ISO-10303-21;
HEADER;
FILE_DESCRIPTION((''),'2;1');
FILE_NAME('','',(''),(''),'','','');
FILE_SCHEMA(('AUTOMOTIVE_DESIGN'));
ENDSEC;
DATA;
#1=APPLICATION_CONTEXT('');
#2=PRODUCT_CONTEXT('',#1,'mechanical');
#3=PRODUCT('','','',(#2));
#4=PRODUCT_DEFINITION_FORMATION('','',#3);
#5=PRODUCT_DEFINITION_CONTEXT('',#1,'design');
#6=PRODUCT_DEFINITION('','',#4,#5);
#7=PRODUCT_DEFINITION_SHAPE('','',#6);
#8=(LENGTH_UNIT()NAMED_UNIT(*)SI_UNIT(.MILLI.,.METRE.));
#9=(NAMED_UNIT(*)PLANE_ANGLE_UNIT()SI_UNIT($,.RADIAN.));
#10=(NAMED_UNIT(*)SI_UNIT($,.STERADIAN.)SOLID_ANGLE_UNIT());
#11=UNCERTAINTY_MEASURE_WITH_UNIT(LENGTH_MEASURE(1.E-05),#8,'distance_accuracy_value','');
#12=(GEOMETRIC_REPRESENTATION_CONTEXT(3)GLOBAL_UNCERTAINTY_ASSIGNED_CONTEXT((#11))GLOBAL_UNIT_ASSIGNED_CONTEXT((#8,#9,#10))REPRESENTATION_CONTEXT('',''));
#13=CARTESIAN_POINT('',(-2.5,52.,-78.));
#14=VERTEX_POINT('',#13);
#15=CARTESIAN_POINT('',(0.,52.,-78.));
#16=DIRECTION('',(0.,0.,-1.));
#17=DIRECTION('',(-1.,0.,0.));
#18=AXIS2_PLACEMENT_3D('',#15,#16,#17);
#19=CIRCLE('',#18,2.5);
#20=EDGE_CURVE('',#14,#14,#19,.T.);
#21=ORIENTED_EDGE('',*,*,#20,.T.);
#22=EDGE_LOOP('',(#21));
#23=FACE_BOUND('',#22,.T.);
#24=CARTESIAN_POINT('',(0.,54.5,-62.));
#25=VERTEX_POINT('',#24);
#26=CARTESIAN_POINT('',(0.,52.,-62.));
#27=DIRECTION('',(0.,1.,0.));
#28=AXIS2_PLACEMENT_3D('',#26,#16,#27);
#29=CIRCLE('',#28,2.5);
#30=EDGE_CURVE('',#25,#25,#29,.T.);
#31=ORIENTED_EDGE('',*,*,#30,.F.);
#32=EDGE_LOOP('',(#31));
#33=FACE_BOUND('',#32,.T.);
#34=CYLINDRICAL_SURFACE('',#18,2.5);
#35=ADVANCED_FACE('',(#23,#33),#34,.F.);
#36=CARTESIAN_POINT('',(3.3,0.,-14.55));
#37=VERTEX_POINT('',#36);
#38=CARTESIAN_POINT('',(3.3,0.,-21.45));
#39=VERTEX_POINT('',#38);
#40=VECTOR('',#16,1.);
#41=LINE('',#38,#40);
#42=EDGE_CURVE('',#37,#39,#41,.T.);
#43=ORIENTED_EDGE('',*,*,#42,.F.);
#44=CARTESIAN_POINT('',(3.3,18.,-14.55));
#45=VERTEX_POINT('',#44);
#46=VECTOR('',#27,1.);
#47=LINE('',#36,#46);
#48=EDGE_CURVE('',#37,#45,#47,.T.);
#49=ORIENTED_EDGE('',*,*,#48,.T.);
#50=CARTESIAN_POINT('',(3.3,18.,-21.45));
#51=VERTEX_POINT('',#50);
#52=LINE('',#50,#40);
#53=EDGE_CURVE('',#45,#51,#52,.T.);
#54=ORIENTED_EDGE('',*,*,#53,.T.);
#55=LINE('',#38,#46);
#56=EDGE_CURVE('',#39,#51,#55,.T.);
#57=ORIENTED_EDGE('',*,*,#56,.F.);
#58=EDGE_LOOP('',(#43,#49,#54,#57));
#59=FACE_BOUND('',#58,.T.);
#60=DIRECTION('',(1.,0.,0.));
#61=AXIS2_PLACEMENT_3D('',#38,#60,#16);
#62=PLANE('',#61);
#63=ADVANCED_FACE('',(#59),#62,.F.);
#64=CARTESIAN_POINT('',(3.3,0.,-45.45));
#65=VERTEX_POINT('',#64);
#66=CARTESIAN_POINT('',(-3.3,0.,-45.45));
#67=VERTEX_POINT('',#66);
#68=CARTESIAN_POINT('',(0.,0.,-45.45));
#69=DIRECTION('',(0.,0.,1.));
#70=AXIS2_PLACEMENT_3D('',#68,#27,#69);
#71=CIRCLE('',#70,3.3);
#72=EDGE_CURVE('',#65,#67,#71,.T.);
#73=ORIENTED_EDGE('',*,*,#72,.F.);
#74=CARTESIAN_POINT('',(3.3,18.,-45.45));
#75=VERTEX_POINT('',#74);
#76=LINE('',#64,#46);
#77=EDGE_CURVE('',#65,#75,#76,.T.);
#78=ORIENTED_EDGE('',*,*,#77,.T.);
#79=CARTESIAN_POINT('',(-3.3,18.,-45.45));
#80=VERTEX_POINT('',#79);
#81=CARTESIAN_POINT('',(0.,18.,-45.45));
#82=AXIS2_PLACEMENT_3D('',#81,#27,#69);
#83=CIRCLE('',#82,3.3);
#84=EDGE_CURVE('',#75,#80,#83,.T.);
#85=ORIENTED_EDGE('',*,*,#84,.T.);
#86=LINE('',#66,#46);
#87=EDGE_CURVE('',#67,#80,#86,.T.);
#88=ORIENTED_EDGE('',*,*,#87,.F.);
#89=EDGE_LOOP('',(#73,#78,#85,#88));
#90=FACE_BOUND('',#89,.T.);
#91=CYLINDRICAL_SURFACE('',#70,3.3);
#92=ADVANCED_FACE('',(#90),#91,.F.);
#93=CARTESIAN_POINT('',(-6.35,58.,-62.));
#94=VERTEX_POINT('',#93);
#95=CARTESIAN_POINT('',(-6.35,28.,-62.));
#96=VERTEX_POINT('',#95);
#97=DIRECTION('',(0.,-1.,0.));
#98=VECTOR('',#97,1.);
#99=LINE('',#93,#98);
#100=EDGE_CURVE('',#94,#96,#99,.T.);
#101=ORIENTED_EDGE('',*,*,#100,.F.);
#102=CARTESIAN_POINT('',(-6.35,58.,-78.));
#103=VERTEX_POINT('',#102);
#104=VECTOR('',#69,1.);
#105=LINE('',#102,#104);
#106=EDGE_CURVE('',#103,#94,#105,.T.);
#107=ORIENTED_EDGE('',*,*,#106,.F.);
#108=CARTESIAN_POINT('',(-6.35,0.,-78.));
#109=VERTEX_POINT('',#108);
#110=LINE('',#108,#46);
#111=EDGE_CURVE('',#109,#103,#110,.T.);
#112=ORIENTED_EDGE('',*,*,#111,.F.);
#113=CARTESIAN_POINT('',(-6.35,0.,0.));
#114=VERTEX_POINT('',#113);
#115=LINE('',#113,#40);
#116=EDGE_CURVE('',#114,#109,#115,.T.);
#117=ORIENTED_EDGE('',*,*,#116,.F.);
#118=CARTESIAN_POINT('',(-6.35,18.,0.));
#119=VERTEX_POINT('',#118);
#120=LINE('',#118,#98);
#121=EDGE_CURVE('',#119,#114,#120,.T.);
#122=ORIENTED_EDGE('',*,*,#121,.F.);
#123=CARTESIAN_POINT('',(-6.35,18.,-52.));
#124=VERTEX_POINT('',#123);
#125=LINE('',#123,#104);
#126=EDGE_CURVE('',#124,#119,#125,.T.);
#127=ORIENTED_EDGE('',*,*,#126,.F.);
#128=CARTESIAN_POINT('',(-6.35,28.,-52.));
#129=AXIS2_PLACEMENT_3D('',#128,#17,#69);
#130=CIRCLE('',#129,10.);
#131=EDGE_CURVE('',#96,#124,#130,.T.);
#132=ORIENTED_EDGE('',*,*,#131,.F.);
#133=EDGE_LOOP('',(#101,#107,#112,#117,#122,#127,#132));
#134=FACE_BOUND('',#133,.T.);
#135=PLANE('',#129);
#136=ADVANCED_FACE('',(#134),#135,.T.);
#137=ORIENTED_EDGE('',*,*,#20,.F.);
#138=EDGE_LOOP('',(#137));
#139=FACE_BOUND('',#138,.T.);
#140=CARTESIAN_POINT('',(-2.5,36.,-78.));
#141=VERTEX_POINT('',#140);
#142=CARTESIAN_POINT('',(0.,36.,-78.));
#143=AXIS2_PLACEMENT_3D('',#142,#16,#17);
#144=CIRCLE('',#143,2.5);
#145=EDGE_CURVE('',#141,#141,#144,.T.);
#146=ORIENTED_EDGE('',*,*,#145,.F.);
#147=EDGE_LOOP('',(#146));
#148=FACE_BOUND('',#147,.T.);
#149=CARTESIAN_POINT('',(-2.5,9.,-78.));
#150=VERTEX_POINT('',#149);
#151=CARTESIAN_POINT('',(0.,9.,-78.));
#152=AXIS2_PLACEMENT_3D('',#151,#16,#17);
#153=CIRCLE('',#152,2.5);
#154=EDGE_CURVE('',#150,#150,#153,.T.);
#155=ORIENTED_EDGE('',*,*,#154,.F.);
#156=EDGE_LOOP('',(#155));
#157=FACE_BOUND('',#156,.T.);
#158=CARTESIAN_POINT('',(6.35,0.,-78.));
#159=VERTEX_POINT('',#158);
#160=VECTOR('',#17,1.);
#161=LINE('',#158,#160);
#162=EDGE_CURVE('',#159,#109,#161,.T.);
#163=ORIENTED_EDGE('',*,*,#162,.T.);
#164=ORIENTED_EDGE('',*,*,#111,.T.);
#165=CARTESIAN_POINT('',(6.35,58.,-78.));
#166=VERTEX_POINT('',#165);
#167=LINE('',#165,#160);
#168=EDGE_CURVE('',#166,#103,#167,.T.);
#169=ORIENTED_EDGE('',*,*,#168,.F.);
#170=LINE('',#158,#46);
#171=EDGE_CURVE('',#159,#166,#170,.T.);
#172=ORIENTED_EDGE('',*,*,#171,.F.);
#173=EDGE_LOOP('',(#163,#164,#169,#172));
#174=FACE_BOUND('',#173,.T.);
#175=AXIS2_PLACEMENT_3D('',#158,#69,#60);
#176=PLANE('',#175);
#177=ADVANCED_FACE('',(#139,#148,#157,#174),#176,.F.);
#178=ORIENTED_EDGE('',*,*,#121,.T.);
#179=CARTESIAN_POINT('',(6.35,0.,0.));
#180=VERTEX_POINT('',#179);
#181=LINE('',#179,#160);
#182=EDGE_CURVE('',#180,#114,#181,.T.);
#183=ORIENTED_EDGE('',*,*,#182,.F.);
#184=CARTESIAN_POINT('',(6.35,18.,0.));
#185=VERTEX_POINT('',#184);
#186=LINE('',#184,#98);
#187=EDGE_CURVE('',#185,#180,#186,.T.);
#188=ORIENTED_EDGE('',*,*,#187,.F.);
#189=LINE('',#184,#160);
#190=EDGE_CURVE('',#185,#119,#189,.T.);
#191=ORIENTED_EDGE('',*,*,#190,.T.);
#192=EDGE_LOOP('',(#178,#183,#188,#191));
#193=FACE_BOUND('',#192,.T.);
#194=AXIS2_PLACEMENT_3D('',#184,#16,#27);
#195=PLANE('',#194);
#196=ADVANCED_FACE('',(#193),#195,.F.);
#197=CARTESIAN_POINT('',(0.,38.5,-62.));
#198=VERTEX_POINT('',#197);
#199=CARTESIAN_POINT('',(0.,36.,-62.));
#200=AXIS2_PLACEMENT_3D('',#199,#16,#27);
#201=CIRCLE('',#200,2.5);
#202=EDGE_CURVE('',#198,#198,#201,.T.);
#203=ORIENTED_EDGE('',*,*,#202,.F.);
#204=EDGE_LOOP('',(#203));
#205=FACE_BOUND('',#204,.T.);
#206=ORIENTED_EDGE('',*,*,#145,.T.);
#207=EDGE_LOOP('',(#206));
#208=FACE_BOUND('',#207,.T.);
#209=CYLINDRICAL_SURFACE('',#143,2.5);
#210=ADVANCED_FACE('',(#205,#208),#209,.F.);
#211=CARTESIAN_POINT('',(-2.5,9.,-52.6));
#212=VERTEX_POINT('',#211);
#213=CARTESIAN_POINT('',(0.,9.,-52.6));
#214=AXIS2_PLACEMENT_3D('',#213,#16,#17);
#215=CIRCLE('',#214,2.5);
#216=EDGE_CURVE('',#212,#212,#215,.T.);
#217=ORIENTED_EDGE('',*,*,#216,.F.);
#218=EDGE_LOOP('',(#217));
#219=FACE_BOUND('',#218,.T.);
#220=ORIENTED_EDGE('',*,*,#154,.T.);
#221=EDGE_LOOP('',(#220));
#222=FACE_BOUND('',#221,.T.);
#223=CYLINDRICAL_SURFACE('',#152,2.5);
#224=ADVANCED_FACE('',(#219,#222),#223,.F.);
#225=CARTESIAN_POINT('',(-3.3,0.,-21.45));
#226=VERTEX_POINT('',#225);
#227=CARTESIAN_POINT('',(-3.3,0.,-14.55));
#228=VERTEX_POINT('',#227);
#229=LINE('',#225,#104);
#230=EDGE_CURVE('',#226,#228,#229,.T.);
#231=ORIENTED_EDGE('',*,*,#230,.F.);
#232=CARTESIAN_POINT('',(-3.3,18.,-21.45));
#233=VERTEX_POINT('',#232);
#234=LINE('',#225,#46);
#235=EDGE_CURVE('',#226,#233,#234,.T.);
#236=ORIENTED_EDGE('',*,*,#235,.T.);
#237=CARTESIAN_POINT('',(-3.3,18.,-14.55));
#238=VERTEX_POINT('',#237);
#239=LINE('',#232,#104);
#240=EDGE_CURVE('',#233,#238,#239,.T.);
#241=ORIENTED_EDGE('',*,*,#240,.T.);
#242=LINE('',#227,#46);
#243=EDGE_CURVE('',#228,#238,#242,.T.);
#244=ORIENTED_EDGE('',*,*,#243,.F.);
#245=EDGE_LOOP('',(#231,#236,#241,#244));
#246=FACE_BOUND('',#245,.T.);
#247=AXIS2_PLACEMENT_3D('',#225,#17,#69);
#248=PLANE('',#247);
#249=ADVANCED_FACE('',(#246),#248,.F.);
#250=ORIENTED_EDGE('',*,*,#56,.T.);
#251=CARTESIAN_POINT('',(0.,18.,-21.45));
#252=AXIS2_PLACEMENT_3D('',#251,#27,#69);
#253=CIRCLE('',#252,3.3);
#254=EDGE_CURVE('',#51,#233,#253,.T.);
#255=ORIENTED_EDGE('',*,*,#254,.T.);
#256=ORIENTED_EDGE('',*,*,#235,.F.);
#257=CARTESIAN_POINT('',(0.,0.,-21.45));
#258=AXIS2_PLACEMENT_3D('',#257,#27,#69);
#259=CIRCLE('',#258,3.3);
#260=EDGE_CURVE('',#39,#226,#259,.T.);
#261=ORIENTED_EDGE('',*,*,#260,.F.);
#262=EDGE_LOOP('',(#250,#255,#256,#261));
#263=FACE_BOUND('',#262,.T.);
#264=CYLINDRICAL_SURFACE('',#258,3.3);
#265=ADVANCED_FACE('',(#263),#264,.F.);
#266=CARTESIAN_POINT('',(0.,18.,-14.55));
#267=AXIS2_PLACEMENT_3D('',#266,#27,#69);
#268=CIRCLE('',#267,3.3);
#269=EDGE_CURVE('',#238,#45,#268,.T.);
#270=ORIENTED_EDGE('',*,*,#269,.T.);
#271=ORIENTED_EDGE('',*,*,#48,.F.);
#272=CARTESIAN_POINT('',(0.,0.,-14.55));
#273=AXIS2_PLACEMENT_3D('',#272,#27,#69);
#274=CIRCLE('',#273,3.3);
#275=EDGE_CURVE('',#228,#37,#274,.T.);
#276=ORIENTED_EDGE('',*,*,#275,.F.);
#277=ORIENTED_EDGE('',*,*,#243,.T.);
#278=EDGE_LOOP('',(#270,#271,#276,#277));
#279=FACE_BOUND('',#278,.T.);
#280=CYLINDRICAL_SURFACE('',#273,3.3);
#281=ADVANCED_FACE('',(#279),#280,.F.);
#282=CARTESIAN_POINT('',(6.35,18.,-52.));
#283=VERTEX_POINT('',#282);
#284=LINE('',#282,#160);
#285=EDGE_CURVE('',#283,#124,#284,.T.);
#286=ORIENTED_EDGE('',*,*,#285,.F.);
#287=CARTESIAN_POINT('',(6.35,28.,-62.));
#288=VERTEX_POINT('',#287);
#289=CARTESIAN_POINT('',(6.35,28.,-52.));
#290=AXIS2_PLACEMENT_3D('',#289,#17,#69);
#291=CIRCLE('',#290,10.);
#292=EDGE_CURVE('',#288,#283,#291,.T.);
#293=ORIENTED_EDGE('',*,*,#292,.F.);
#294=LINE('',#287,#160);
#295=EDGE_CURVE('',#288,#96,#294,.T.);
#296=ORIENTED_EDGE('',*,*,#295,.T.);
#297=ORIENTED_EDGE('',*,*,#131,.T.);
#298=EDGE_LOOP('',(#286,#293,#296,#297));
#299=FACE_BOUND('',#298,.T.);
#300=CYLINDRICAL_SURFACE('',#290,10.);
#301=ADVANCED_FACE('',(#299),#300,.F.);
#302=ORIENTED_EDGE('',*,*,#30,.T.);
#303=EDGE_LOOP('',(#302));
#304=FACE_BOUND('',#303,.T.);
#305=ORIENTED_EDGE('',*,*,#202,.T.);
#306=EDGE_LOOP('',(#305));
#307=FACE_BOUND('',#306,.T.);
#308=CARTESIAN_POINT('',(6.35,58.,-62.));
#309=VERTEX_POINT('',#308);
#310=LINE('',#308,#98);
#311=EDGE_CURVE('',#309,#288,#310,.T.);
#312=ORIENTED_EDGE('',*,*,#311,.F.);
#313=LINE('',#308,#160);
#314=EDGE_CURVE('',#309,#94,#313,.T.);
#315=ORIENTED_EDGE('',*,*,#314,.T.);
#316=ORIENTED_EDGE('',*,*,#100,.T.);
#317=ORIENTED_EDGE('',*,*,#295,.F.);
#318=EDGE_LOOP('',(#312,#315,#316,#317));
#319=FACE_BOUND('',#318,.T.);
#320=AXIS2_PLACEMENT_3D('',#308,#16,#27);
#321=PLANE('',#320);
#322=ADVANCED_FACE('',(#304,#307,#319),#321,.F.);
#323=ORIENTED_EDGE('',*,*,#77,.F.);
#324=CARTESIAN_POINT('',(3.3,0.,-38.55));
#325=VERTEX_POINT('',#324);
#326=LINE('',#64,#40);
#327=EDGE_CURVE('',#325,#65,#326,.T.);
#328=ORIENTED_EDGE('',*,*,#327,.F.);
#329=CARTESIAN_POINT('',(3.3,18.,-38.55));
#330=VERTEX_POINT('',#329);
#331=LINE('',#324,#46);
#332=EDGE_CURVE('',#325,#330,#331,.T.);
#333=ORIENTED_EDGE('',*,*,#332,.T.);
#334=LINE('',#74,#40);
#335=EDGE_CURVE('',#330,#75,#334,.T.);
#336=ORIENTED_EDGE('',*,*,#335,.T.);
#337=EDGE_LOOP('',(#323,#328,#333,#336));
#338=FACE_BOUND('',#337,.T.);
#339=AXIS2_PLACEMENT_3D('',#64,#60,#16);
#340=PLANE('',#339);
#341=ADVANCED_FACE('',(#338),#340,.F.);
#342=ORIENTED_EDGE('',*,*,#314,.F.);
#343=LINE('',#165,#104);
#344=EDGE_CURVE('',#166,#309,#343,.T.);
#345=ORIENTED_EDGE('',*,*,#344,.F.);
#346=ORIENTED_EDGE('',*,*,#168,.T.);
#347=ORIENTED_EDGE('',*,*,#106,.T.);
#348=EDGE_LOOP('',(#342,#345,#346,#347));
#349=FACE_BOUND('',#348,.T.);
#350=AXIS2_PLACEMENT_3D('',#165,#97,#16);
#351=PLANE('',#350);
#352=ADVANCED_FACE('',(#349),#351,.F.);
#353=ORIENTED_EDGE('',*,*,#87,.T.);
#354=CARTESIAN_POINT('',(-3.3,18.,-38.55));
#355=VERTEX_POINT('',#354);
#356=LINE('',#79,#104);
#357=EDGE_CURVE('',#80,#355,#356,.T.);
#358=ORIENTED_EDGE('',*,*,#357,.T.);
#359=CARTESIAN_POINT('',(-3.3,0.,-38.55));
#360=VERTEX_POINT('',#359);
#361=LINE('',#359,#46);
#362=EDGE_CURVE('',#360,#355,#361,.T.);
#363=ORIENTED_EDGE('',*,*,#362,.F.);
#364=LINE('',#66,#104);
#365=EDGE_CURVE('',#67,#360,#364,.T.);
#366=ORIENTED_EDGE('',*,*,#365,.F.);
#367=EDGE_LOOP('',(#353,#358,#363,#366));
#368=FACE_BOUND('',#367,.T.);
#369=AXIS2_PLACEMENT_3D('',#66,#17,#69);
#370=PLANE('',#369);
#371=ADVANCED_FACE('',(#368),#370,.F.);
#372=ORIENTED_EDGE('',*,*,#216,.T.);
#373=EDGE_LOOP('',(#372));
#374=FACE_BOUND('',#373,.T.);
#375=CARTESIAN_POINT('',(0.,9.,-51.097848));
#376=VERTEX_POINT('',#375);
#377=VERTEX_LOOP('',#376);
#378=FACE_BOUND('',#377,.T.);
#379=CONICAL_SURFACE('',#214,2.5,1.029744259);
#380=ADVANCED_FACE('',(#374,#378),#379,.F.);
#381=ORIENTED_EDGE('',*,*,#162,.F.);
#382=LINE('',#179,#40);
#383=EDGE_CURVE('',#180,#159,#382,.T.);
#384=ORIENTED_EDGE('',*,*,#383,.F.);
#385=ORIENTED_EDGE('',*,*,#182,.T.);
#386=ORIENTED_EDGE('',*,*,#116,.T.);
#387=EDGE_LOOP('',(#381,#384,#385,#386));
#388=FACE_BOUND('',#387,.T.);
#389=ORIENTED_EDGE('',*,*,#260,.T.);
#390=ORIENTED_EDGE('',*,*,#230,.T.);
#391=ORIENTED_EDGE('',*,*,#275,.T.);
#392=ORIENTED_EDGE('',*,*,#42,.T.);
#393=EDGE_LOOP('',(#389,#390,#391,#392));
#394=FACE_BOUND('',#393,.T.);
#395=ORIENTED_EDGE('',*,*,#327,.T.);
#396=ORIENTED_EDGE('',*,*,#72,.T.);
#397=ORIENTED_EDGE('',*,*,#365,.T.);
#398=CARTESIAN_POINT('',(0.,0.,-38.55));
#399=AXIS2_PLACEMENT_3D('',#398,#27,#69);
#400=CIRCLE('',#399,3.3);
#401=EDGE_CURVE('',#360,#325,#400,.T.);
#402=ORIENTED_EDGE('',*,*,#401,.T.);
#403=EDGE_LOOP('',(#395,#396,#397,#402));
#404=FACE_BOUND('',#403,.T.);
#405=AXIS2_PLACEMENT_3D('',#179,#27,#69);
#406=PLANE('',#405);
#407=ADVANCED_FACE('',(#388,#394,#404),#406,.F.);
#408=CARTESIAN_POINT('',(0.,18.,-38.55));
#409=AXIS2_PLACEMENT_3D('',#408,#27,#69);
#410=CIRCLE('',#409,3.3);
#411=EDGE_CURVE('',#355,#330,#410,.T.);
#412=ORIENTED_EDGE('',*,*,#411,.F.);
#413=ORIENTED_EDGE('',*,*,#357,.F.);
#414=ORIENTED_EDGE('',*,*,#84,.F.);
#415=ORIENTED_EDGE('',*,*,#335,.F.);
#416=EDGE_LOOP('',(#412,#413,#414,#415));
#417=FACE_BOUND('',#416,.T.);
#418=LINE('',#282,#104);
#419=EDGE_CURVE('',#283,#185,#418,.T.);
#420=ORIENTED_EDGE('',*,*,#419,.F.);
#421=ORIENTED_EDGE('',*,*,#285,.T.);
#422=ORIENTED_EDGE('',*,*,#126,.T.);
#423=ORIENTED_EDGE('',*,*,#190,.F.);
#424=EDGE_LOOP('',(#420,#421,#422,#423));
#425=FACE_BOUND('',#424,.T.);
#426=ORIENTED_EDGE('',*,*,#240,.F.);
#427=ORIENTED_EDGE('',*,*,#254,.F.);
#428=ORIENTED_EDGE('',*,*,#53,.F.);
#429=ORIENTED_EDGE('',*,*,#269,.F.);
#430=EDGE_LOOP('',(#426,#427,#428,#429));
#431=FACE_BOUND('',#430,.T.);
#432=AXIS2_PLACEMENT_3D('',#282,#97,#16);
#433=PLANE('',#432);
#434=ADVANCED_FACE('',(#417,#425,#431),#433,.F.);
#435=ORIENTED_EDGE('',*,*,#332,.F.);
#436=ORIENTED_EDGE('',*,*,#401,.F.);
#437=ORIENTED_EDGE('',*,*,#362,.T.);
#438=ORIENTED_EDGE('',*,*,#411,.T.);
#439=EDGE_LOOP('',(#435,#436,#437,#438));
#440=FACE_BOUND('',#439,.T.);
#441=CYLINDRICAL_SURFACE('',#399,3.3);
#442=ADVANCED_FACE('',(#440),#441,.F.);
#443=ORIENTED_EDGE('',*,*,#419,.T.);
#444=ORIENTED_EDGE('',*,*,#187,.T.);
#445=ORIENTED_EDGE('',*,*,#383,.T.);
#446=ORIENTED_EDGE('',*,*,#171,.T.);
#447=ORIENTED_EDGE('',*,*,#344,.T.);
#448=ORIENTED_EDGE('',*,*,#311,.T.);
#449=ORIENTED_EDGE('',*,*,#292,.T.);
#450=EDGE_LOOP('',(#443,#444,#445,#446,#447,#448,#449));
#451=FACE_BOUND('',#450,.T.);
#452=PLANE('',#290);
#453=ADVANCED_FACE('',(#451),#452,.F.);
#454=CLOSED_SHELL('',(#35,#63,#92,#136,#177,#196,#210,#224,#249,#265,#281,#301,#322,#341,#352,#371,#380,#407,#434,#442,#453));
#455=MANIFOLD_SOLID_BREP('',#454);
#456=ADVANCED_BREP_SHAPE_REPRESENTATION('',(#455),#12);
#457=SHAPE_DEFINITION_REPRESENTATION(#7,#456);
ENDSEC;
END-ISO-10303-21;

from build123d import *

# Parameters (mm, degrees)
BOSS_EXTRUDE1_DEPTH   = 6.35
M6_TAPPED_HOLE1_D     = 5
M6_TAPPED_HOLE1_DEPTH = 25.4
M6_TAPPED_HOLE1_TIP   = 1.502151548
M6_TAPPED_HOLE2_D     = 5
CUT_EXTRUDE1_DEPTH    = 88.888124909


with BuildPart() as part:
    # Sketch1 → Boss-Extrude1 (new, symmetric)
    with BuildSketch(Plane(origin=(0, 0, 0), x_dir=(0, 0, -1), z_dir=(1, 0, 0))):
        with BuildLine():
            Line((0, 0), (78, 0))
            Line((78, 0), (78, 58))
            Line((78, 58), (62, 58))
            Line((62, 58), (62, 28))
            ThreePointArc((62, 28), (59.071067812, 20.928932188), (52, 18))
            Line((52, 18), (0, 18))
            Line((0, 18), (0, 0))
        make_face()
    extrude(amount=BOSS_EXTRUDE1_DEPTH, both=True)

    # M6 Tapped Hole1
    with Locations(Plane(origin=(0, 0, -78), x_dir=(-1, 0, 0), z_dir=(0, 0, -1))):
        with Locations((0, 9), (0, 36)):
            Hole(M6_TAPPED_HOLE1_D / 2, depth=M6_TAPPED_HOLE1_DEPTH)
            with Locations((0, 0, -(M6_TAPPED_HOLE1_DEPTH + M6_TAPPED_HOLE1_TIP / 2))):  # 118° drill point
                Cone(0, M6_TAPPED_HOLE1_D / 2, M6_TAPPED_HOLE1_TIP, mode=Mode.SUBTRACT)

    # M6 Tapped Hole2 (through all)
    with Locations(Plane(origin=(0, 0, -78), x_dir=(-1, 0, 0), z_dir=(0, 0, -1))):
        with Locations((0, 52)):
            Hole(M6_TAPPED_HOLE2_D / 2)

    # Sketch4 → Cut-Extrude1 (cut, through all)
    with BuildSketch(Plane(origin=(0, 18, 0), x_dir=(1, 0, 0), z_dir=(0, 1, 0))):
        with BuildLine():
            Line((3.3, 45.45), (3.3, 38.55))
            ThreePointArc((3.3, 38.55), (0, 35.25), (-3.3, 38.55))
            Line((-3.3, 38.55), (-3.3, 45.45))
            ThreePointArc((-3.3, 45.45), (0, 48.75), (3.3, 45.45))
        make_face()
        with BuildLine():
            Line((3.3, 21.45), (3.3, 14.55))
            ThreePointArc((3.3, 14.55), (0, 11.25), (-3.3, 14.55))
            Line((-3.3, 14.55), (-3.3, 21.45))
            ThreePointArc((-3.3, 21.45), (0, 24.75), (3.3, 21.45))
        make_face()
    extrude(amount=-CUT_EXTRUDE1_DEPTH, mode=Mode.SUBTRACT)


solid = part.part
